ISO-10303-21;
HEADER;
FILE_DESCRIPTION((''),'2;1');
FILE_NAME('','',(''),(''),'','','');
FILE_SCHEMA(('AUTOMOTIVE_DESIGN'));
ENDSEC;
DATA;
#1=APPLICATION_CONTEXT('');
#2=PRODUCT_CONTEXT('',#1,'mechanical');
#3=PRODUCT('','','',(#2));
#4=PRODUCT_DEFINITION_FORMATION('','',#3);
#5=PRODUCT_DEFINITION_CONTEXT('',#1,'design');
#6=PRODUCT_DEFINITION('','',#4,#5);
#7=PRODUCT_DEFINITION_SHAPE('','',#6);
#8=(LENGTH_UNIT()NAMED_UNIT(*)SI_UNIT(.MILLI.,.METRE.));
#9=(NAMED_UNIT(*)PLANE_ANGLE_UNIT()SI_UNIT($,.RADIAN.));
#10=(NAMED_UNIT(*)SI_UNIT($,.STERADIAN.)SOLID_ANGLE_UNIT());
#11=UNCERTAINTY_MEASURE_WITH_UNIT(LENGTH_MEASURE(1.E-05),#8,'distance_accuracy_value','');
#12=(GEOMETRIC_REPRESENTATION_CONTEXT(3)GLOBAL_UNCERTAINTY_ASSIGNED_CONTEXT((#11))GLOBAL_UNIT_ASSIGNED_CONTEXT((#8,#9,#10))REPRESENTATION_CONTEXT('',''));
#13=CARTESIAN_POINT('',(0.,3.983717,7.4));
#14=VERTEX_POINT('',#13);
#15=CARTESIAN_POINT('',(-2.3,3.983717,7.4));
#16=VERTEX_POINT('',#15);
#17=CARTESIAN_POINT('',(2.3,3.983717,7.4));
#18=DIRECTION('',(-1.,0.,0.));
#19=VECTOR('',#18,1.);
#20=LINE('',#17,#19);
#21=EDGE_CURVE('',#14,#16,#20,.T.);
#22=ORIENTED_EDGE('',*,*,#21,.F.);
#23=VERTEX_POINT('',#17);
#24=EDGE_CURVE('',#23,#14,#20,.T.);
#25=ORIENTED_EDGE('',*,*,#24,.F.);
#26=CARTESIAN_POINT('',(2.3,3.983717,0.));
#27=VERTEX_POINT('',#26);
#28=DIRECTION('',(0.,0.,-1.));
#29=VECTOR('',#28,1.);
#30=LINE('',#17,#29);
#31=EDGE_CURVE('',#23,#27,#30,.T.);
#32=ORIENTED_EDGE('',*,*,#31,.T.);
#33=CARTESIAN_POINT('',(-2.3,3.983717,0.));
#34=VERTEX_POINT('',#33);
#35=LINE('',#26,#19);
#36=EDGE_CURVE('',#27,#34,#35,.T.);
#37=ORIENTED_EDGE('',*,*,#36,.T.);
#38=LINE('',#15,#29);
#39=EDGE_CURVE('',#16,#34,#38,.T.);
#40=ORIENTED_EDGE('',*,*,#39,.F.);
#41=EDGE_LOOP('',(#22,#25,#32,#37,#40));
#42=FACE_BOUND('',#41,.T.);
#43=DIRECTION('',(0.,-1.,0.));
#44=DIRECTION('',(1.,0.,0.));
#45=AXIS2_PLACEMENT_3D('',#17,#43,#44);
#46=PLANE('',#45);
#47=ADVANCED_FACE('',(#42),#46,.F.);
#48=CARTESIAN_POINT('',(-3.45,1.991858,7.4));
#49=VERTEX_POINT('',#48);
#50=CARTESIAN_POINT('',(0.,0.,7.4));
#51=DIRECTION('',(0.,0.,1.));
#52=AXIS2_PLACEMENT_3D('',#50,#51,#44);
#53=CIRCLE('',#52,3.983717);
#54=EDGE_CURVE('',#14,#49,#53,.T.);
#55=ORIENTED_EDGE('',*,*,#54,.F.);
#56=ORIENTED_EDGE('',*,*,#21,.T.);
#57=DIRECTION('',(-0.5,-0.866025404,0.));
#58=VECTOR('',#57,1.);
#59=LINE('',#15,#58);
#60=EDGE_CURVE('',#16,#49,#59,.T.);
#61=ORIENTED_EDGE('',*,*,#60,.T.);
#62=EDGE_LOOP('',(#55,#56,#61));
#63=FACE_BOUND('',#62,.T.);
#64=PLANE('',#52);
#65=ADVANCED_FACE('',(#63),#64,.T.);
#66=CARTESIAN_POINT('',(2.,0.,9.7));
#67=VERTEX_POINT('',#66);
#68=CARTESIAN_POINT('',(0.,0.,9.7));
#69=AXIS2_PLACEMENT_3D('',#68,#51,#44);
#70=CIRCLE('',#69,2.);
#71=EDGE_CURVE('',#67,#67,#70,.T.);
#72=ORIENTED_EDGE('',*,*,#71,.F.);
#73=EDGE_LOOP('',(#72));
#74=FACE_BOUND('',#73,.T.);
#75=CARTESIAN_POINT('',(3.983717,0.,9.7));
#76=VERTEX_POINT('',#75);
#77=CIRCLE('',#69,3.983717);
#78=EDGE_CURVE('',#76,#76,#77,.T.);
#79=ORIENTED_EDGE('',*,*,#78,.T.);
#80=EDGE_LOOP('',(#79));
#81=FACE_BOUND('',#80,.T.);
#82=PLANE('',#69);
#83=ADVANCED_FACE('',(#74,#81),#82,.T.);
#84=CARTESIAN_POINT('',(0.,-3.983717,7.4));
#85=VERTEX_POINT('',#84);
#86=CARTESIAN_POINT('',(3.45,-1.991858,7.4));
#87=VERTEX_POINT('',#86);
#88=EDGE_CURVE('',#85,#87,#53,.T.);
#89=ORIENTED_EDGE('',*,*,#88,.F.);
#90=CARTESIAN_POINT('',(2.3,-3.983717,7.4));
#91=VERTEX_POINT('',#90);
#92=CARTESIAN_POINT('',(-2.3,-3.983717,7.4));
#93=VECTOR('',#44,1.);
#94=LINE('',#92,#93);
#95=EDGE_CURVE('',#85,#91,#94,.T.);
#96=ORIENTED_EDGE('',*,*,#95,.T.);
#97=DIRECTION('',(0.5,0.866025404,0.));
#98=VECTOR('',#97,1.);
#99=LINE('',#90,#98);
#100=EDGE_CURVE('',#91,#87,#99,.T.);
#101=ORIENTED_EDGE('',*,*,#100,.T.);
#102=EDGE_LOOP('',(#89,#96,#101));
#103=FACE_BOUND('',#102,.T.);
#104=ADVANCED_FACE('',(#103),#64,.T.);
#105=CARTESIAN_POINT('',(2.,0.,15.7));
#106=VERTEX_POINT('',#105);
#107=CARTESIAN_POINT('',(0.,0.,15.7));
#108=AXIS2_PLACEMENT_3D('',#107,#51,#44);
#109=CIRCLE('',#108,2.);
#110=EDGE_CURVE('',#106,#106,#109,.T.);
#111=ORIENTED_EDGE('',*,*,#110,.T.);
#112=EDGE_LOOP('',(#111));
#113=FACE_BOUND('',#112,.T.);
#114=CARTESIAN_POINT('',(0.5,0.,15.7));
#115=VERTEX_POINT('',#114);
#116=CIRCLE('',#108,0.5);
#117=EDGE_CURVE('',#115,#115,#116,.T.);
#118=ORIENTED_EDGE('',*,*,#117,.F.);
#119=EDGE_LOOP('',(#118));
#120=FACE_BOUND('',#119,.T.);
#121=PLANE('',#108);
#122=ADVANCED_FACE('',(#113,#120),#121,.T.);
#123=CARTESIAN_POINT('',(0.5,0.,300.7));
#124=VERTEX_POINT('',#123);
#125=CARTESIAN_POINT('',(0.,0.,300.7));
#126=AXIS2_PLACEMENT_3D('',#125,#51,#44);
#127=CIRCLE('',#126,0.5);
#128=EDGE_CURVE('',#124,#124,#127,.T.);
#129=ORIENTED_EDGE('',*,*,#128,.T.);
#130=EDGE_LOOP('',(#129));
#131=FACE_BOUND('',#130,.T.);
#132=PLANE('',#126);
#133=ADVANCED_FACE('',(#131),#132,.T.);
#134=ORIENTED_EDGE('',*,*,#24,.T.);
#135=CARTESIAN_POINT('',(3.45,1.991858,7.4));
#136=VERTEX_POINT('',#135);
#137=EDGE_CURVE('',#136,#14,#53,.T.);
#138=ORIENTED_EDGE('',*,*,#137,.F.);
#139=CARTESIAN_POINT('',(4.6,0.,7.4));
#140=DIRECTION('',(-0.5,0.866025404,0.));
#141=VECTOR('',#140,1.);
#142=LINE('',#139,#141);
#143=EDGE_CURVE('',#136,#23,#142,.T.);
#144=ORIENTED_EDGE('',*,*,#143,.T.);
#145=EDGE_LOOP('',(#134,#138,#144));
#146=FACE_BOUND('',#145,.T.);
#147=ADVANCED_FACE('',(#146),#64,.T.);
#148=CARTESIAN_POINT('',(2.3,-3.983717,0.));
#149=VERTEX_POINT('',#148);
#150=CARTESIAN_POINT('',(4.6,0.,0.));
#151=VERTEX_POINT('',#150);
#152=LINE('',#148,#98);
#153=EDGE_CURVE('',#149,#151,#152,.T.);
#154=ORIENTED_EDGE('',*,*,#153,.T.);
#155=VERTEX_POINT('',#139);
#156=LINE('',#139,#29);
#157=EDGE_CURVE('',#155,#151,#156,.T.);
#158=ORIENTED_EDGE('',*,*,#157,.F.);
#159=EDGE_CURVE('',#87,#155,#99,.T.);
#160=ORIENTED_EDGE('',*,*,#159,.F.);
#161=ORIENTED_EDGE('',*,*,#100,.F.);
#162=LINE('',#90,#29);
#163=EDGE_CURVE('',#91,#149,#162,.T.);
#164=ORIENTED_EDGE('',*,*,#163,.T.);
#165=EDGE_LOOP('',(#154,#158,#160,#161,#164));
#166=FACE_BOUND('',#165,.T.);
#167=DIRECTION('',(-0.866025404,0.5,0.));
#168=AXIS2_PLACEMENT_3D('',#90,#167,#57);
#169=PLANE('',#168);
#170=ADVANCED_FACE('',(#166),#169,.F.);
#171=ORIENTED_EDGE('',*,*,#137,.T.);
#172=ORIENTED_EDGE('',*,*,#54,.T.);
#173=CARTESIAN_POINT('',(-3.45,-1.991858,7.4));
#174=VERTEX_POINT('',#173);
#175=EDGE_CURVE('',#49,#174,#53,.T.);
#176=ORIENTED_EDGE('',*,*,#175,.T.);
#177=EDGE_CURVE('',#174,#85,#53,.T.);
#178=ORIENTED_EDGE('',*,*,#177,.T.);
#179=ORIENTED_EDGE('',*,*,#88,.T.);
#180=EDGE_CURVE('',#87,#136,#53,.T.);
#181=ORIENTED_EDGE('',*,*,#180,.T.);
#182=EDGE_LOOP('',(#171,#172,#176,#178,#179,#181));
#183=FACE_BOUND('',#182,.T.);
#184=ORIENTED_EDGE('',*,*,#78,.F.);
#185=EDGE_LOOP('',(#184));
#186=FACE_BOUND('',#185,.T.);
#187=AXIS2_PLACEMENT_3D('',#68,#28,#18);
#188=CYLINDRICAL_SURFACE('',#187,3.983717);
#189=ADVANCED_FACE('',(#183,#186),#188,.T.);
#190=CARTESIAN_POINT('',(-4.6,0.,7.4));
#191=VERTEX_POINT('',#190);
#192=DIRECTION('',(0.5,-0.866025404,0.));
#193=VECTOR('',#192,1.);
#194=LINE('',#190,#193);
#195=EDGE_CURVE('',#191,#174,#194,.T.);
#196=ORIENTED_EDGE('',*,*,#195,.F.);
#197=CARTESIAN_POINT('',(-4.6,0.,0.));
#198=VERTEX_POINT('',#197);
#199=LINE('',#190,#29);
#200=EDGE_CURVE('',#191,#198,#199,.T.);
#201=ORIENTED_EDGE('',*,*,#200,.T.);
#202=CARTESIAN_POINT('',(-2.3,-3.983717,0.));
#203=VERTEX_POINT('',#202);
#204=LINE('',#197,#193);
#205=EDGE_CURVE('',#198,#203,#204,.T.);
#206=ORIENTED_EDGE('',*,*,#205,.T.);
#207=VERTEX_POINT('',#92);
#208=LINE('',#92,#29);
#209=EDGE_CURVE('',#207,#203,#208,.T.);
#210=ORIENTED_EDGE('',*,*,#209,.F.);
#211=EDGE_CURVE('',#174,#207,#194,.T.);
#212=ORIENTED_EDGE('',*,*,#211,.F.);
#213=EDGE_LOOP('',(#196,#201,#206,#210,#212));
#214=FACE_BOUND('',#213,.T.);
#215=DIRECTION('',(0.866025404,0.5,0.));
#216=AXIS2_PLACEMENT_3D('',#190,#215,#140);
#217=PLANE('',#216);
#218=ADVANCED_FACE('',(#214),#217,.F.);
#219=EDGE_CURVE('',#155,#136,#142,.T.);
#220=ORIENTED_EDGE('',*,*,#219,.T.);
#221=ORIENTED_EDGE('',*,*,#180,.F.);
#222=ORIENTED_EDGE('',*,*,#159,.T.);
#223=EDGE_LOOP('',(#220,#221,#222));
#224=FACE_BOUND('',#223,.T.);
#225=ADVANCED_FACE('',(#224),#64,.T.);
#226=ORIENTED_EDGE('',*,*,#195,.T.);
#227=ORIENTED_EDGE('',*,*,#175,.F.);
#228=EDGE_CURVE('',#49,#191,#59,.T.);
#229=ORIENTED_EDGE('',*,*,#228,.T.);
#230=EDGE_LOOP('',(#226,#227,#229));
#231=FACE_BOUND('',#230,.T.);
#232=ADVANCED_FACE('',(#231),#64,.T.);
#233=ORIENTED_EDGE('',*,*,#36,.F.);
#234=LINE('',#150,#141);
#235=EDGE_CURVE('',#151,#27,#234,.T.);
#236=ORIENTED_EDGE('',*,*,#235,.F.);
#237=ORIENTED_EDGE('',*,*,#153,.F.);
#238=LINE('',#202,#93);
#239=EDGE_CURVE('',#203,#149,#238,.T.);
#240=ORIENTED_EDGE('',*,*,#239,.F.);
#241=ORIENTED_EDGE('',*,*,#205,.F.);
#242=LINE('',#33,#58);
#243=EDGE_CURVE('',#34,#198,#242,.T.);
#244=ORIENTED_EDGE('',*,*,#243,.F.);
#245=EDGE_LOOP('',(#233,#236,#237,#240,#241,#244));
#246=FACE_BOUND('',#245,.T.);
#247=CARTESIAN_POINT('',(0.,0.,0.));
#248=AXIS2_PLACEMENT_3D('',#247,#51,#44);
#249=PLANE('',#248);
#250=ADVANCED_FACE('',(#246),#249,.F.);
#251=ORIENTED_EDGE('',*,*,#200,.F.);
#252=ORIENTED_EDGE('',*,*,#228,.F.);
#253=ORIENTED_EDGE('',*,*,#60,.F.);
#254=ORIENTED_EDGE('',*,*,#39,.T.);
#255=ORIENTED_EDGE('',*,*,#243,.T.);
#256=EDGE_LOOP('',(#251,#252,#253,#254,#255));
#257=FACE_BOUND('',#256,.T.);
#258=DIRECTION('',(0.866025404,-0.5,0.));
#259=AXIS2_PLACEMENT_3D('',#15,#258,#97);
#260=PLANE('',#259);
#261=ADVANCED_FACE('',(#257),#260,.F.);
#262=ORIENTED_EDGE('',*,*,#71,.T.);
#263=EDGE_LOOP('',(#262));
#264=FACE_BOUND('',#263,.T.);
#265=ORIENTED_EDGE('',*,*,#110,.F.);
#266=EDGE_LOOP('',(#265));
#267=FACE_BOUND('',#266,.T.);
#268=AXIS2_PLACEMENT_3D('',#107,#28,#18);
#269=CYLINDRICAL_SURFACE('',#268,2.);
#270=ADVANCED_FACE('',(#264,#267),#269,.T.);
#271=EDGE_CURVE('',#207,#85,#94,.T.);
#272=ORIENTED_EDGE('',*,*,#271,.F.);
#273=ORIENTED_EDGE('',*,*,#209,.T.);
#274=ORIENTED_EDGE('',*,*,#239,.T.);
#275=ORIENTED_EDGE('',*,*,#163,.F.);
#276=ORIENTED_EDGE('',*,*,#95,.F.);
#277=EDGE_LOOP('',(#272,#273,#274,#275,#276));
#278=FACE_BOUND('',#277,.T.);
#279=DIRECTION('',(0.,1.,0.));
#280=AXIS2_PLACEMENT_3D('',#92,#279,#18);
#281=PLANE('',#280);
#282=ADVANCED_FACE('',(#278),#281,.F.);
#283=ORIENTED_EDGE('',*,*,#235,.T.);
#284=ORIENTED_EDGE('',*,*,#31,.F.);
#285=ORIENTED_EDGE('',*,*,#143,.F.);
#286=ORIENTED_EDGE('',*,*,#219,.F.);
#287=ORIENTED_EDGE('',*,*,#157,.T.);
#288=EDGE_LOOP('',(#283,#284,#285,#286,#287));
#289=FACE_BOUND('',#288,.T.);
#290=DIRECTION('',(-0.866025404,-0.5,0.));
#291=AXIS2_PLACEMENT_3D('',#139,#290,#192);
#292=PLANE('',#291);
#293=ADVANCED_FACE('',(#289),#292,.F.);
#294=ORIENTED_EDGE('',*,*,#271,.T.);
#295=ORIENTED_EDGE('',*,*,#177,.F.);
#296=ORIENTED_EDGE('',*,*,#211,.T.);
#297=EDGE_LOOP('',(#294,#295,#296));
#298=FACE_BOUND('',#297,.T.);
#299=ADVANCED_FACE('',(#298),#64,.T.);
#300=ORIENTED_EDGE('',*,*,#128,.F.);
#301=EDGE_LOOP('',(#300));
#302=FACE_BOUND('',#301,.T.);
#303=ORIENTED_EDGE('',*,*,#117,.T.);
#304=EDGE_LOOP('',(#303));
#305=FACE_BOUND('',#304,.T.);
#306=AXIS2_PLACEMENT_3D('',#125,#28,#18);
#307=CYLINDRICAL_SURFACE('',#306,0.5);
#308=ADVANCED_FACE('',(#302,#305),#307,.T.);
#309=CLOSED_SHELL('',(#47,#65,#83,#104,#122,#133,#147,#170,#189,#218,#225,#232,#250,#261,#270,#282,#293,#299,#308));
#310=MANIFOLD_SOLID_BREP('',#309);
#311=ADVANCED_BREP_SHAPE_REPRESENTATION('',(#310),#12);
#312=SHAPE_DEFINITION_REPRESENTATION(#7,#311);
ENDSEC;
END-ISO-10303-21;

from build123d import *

# Parameters (mm, degrees)
BOSS_EXTRUDE1_DEPTH = 7.4
SKETCH2_R           = 3.983716857
BOSS_EXTRUDE2_DEPTH = 2.3
SKETCH3_R           = 2
BOSS_EXTRUDE3_DEPTH = 6
SKETCH4_R           = 0.5
BOSS_EXTRUDE4_DEPTH = 285


with BuildPart() as part:
    # Sketch1 → Boss-Extrude1 (new body)
    with BuildSketch(Plane.XY):
        Polygon((2.3, -3.983716857), (4.6, 0), (2.3, 3.983716857), (-2.3, 3.983716857), (-4.6, 0), (-2.3, -3.983716857), align=None)
    extrude(amount=BOSS_EXTRUDE1_DEPTH)

    # Sketch2 → Boss-Extrude2 (add)
    with BuildSketch(Plane.XY.offset(7.4)):
        Circle(SKETCH2_R)
    extrude(amount=BOSS_EXTRUDE2_DEPTH)

    # Sketch3 → Boss-Extrude3 (add)
    with BuildSketch(Plane.XY.offset(9.7)):
        Circle(SKETCH3_R)
    extrude(amount=BOSS_EXTRUDE3_DEPTH)

    # Sketch4 → Boss-Extrude4 (add)
    with BuildSketch(Plane.XY.offset(15.7)):
        Circle(SKETCH4_R)
    extrude(amount=BOSS_EXTRUDE4_DEPTH)


solid = part.part
